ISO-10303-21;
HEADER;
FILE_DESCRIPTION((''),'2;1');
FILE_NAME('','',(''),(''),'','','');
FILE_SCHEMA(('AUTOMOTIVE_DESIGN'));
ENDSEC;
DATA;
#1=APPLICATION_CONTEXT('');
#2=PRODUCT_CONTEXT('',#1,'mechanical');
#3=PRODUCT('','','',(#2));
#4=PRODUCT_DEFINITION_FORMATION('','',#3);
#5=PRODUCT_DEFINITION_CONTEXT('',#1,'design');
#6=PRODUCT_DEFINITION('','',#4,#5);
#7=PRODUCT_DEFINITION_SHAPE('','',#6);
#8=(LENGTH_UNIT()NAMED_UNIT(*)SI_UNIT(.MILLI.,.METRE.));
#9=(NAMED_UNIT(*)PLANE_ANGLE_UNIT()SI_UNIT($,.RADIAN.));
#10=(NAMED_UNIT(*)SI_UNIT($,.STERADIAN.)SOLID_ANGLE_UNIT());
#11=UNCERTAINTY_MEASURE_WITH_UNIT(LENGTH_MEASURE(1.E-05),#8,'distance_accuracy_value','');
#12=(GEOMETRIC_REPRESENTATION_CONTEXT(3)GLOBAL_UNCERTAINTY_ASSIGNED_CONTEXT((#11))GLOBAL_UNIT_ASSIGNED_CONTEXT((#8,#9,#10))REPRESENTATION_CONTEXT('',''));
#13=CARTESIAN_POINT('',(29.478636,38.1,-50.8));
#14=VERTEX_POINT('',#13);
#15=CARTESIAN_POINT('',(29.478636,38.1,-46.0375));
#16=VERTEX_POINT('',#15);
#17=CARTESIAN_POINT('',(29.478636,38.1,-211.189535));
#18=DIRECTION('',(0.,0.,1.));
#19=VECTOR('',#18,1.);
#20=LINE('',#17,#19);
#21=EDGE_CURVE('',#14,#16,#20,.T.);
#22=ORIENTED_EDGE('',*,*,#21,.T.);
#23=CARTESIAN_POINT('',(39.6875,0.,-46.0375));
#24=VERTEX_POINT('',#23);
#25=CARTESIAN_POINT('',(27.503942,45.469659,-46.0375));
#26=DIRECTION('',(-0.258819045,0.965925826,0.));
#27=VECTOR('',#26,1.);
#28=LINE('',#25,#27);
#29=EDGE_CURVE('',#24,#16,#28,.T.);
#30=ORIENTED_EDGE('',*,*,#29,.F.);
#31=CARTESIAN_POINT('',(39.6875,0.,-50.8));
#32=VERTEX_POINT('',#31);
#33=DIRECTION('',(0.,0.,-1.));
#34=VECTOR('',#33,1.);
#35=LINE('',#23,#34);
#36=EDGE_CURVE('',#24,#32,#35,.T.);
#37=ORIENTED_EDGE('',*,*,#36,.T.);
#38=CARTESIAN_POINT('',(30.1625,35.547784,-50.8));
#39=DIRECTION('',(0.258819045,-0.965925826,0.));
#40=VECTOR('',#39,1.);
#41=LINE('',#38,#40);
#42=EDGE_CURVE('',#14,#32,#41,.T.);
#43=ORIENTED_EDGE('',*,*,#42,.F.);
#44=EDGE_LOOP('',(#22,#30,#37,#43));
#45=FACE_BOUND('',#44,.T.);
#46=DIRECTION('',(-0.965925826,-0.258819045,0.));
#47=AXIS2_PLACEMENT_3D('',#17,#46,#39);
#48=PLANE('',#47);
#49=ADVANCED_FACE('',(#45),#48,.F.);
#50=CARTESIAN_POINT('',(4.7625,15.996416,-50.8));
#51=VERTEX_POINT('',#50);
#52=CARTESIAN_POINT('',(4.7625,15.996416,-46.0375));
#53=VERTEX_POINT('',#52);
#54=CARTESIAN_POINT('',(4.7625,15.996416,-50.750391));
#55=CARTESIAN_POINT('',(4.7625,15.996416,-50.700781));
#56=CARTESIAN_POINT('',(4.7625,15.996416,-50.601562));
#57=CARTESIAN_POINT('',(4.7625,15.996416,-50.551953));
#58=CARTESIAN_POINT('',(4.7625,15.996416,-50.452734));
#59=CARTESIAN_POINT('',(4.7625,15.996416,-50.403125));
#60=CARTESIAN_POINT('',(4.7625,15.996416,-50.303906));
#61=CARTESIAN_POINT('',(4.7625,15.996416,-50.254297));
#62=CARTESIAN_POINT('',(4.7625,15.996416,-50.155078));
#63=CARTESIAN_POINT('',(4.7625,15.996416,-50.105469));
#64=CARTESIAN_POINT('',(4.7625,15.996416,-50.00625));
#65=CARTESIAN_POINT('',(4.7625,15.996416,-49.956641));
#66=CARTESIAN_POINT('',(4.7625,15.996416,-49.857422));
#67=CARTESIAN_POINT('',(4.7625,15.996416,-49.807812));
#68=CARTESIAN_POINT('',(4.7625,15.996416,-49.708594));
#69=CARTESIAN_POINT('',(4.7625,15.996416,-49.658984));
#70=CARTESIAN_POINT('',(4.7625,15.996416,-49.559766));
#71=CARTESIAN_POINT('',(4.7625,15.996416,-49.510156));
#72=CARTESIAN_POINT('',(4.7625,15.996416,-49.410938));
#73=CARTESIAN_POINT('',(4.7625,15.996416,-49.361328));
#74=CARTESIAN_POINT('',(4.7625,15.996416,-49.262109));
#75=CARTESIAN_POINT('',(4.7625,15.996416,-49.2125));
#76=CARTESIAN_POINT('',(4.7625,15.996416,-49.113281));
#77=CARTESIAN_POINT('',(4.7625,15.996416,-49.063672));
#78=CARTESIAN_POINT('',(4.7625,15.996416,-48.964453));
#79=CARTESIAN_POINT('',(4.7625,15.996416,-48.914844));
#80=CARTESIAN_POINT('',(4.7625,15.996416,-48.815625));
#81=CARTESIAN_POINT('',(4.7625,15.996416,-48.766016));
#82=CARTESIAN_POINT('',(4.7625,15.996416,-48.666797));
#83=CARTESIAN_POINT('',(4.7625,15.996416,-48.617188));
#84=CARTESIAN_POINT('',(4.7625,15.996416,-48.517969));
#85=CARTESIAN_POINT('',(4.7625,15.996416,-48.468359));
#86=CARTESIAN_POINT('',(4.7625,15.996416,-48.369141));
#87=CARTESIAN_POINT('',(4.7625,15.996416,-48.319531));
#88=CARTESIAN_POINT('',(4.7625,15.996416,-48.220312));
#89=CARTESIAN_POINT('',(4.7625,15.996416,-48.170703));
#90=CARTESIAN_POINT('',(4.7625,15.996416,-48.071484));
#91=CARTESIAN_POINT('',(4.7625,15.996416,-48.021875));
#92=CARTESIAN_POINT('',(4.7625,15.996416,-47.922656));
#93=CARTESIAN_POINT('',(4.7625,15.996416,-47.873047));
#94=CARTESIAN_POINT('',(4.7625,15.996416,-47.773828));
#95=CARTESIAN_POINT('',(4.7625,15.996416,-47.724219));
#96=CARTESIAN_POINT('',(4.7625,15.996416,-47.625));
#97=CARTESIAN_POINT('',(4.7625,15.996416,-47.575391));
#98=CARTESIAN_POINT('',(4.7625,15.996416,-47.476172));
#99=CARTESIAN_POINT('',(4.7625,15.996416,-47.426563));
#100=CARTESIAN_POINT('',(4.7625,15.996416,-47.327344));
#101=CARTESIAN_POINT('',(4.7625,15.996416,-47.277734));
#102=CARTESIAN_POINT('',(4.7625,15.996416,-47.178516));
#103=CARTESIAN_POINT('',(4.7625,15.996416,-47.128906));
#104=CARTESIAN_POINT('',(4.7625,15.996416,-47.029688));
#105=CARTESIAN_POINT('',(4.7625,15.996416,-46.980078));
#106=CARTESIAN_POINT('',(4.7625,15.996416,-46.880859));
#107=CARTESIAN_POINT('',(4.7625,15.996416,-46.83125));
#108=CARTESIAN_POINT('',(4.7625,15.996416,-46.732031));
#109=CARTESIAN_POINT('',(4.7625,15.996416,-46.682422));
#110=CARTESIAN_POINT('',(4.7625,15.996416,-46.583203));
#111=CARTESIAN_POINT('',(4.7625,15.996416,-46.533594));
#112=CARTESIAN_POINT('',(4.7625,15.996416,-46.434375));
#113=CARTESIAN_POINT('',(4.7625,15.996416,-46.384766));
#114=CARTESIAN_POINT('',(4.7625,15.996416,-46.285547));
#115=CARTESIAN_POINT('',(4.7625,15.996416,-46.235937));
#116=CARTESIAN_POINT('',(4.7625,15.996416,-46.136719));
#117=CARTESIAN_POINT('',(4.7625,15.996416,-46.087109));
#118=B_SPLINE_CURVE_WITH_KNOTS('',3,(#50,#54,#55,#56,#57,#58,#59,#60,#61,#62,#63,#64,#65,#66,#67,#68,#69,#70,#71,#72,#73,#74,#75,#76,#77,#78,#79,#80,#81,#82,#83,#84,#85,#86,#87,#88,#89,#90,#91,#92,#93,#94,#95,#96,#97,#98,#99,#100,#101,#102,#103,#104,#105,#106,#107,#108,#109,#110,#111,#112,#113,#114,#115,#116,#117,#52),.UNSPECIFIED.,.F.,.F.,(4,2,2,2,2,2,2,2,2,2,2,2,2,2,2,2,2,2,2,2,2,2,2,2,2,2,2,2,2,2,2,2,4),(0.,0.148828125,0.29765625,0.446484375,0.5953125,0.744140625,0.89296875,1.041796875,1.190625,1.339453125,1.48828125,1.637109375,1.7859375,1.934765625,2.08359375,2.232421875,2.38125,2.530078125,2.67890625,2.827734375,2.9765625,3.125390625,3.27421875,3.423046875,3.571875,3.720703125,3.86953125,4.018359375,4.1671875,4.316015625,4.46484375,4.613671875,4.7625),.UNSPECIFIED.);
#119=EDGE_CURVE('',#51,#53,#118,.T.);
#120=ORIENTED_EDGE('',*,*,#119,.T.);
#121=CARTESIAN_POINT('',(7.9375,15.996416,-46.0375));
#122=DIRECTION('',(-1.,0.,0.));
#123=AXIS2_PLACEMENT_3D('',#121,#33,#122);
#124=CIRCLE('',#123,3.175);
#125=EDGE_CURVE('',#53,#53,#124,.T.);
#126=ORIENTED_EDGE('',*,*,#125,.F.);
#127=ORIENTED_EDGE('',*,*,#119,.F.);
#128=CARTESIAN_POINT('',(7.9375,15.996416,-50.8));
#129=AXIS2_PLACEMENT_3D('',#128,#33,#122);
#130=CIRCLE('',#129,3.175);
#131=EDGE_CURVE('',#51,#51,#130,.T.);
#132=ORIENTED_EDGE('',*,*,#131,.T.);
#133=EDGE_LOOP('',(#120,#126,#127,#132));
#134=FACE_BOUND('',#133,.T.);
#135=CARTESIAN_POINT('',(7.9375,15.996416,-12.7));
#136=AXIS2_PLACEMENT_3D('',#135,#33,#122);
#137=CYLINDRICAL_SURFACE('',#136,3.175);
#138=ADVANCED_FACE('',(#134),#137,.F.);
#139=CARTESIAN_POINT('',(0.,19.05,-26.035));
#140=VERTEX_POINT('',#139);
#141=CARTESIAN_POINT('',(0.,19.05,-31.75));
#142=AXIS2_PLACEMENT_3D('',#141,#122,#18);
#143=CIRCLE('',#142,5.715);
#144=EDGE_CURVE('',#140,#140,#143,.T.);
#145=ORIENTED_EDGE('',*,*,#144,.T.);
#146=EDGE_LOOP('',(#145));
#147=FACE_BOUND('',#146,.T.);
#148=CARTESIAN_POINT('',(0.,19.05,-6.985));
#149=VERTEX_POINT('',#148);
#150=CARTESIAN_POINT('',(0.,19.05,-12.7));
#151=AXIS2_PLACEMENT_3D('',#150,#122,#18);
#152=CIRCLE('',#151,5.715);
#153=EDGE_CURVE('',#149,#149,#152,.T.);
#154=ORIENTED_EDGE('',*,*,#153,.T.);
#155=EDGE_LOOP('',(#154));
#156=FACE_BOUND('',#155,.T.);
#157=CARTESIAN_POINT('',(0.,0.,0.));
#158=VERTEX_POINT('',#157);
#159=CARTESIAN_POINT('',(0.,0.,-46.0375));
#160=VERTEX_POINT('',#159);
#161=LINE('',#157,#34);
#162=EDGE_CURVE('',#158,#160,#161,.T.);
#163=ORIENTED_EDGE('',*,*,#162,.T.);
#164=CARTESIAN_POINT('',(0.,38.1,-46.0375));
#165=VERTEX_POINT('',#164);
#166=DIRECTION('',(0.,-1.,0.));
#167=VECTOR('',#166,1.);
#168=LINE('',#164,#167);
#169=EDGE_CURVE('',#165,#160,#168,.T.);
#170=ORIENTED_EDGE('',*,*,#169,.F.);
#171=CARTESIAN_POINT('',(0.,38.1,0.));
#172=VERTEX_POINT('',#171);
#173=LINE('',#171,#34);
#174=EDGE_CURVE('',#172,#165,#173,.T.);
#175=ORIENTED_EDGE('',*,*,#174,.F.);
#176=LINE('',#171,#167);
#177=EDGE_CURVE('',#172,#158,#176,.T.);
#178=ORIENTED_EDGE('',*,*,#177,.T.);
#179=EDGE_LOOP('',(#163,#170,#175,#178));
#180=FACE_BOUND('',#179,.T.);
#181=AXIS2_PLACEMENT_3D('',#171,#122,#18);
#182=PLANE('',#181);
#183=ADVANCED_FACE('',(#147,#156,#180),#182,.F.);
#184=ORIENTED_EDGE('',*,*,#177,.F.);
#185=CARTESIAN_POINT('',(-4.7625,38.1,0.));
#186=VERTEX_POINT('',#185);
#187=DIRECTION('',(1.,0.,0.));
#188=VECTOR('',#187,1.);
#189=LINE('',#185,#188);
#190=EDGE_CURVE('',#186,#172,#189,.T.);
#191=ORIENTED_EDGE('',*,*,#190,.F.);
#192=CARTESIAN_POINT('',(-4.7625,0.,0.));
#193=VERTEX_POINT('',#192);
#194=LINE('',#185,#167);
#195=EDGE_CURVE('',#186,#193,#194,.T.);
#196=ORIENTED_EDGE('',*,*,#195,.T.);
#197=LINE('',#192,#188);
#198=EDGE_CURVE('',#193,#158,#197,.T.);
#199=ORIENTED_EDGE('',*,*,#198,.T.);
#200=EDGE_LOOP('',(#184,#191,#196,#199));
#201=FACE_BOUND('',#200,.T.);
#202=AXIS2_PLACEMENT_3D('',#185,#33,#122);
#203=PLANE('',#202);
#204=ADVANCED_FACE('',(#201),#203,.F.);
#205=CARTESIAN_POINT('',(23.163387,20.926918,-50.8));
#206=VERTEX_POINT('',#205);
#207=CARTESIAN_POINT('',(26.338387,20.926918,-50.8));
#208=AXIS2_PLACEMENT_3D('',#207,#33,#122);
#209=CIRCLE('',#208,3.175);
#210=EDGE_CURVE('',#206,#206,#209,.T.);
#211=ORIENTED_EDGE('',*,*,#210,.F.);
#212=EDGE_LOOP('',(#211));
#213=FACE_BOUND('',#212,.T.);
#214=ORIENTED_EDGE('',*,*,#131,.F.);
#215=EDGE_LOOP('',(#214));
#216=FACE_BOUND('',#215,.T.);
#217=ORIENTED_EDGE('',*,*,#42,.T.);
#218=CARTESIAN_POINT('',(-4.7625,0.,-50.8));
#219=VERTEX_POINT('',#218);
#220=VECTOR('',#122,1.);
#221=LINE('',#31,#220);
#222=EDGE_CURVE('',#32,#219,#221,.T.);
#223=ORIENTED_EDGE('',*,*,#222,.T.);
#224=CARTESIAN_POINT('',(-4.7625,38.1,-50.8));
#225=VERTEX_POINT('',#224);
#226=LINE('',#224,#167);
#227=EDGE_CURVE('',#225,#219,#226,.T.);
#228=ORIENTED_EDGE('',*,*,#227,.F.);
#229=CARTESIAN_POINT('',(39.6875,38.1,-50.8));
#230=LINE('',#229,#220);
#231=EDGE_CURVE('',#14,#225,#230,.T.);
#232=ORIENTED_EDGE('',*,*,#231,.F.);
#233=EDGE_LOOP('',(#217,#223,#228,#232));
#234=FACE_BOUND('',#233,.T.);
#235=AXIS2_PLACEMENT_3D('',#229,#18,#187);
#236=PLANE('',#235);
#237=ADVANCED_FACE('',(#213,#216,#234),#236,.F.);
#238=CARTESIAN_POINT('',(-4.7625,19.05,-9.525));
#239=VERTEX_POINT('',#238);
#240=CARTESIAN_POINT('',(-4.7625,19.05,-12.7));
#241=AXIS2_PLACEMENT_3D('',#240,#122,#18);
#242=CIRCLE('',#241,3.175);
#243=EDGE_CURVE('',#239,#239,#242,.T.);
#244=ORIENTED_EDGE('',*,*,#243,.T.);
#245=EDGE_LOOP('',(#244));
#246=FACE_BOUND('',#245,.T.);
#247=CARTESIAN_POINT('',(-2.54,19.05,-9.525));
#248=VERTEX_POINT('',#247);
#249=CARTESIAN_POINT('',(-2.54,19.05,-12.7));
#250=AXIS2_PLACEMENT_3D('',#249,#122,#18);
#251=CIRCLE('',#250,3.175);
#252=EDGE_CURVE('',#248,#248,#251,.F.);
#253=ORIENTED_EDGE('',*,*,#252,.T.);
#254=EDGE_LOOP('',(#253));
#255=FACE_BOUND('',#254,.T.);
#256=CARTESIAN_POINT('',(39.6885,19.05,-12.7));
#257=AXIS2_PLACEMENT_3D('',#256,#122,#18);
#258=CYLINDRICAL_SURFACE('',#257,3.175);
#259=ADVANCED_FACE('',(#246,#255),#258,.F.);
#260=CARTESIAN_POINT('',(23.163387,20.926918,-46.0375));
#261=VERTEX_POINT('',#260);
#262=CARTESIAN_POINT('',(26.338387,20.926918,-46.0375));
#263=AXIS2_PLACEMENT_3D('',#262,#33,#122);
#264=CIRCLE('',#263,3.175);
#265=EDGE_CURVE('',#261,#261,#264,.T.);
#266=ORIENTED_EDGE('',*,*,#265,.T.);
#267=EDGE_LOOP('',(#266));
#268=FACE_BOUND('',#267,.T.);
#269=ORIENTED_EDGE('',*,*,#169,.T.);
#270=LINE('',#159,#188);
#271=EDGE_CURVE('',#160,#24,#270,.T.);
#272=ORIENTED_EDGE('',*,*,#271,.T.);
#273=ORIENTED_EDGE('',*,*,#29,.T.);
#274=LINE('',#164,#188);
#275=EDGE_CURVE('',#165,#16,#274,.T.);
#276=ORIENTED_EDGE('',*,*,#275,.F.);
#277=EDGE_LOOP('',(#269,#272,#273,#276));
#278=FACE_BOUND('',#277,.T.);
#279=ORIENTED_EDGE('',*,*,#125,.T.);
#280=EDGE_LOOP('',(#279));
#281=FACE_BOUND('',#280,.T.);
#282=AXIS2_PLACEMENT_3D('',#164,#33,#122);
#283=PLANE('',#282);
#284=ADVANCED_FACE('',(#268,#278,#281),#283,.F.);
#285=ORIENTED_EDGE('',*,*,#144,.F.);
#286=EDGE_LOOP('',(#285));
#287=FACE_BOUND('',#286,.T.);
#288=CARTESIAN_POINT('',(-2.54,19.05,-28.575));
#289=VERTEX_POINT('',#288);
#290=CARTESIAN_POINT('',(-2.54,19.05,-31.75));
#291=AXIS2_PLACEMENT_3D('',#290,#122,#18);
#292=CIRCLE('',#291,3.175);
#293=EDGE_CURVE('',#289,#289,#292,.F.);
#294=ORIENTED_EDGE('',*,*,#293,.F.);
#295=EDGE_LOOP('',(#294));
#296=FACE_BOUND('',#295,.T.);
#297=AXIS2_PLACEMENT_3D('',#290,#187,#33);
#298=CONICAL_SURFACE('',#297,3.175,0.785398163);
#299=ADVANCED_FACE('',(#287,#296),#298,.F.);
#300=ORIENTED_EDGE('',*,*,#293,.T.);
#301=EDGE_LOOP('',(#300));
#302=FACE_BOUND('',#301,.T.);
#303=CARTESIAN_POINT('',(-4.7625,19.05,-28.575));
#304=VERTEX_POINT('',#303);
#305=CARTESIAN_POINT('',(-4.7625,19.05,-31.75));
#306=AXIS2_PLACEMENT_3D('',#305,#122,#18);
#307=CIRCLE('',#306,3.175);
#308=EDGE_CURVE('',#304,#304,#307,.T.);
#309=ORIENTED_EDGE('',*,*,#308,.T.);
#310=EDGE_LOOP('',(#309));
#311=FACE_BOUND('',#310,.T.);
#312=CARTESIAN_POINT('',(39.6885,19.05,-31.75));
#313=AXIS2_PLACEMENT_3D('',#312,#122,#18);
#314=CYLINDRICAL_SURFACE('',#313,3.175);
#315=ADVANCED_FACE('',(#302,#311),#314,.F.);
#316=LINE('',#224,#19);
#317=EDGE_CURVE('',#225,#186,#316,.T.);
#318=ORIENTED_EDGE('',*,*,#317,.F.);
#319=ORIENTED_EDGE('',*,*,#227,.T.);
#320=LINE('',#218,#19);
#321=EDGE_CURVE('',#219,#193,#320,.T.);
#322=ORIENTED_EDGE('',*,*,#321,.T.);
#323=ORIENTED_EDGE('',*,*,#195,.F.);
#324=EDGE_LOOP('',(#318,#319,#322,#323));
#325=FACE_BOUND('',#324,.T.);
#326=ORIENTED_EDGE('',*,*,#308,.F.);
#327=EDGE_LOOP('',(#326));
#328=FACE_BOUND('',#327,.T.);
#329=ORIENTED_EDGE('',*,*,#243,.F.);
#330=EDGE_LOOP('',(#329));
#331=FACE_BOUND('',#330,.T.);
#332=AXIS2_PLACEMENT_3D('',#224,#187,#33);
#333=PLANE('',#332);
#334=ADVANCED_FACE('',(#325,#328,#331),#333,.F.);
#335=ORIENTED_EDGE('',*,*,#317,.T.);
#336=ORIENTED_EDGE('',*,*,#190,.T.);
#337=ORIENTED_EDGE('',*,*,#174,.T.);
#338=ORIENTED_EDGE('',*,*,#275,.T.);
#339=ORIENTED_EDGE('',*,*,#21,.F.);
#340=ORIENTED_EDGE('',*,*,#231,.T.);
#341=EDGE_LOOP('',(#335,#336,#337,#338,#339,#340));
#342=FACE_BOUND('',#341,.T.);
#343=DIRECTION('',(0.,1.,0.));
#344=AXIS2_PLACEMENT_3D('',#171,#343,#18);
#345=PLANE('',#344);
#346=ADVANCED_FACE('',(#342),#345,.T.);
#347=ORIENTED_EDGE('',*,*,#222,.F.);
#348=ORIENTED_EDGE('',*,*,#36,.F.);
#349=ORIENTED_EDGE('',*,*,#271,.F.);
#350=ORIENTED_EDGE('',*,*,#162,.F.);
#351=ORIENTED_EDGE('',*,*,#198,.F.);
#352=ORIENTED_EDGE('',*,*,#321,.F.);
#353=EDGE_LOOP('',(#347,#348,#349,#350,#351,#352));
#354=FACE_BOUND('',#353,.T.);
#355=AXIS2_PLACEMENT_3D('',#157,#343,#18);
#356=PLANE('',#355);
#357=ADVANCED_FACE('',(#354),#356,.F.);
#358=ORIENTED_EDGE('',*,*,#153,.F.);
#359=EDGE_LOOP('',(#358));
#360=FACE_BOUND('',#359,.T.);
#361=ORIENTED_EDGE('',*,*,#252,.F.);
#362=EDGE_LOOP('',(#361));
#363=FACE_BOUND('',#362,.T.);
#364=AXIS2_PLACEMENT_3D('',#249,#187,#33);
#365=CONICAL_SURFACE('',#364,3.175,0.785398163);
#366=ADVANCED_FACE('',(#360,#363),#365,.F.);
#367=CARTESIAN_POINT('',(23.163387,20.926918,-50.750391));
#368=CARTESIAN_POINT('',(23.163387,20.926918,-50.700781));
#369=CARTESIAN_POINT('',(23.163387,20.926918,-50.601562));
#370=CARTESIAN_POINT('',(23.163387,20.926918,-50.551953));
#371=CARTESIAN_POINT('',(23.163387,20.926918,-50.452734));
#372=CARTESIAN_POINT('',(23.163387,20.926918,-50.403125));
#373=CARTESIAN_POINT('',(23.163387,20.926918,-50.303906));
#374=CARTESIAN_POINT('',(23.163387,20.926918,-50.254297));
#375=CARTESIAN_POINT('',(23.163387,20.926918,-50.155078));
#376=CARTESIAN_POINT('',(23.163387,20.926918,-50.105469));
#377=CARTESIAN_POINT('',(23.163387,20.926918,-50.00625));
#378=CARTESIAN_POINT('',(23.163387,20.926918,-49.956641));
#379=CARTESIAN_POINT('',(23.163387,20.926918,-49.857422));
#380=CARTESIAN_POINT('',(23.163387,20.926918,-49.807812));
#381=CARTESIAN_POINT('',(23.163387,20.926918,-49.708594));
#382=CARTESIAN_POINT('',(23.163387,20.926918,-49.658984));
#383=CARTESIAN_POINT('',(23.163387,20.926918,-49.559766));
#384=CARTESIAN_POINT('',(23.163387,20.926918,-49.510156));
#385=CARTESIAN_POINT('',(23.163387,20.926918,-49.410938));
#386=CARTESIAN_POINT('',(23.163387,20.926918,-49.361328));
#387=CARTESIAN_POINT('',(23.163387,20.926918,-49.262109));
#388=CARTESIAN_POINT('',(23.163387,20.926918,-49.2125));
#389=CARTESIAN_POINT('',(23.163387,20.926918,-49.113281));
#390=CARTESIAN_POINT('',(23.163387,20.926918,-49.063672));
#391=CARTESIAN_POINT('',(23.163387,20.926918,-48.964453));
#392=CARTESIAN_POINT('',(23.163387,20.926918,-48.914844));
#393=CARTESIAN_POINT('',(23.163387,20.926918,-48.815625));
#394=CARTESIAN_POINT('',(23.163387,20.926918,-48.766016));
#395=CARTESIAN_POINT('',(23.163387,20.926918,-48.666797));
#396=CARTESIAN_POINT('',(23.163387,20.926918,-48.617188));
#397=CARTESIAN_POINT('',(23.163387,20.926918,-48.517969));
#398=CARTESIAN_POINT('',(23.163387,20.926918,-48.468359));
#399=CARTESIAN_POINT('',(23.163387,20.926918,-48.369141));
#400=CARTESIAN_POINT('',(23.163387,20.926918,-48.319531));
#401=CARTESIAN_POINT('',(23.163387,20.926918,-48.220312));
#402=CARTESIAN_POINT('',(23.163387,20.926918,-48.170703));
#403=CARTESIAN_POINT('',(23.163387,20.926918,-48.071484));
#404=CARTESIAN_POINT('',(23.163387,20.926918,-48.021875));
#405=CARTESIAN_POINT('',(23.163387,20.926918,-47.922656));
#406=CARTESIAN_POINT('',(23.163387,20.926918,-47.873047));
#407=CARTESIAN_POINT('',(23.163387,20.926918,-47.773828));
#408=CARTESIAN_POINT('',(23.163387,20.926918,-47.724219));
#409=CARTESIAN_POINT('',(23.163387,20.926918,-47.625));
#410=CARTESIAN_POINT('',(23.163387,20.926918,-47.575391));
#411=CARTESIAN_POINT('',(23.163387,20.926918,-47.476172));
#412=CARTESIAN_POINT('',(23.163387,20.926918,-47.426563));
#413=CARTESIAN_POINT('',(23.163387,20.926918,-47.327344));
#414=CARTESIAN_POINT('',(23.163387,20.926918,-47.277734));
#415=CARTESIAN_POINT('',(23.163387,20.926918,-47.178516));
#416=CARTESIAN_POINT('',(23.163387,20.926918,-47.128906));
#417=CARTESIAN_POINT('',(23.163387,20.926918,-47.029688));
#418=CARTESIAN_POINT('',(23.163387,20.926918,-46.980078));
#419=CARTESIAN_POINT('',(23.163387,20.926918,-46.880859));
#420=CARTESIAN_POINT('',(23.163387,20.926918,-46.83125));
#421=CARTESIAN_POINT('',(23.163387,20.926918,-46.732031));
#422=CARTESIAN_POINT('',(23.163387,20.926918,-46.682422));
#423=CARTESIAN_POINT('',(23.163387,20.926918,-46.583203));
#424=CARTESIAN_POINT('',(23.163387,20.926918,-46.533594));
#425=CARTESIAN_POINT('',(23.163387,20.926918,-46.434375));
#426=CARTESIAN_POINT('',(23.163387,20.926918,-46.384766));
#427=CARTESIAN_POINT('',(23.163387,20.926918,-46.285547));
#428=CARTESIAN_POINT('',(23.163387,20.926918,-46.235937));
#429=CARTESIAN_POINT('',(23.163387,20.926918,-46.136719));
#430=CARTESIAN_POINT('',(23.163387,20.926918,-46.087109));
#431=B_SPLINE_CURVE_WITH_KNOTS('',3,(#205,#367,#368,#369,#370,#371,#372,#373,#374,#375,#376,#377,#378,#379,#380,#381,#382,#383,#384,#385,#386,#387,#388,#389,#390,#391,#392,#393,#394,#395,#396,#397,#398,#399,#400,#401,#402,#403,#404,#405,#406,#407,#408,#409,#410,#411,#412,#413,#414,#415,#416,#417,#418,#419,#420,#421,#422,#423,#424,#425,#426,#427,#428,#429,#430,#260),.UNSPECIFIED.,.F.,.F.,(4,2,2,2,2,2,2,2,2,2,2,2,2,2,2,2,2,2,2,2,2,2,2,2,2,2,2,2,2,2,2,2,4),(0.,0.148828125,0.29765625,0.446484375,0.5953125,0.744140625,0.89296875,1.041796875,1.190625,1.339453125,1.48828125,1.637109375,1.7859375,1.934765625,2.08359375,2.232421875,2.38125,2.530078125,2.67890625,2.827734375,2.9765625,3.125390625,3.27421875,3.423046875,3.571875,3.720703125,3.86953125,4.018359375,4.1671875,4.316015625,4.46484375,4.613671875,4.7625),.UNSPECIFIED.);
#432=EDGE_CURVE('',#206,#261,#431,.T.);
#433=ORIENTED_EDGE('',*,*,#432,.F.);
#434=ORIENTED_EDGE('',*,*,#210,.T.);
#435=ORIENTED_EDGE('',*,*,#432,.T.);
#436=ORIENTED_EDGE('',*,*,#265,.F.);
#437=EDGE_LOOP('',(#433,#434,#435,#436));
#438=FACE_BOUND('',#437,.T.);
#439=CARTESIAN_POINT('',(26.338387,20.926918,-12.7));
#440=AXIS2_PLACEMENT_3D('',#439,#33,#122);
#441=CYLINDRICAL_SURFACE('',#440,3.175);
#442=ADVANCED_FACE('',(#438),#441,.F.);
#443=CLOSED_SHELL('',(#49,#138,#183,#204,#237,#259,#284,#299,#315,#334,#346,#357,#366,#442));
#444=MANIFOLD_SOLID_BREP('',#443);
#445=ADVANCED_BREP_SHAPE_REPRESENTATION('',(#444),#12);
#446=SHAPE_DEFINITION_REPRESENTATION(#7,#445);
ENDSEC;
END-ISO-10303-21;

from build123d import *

# Parameters (mm, degrees)
BOSS_EXTRUDE1_DEPTH     = 38.1
SKETCH2_R               = 3.175
CUT_EXTRUDE1_DEPTH      = 38.1
CUT_EXTRUDE3_REACH      = 79.512
SKETCH3_R               = 3.175
CUT_EXTRUDE4_DEPTH      = 75.882225236
CUT_EXTRUDE4_DEPTH_BACK = 75.882225236
CHAMFER1_SIZE           = 2.54


with BuildPart() as part:
    # Sketch1 → Boss-Extrude1 (new body)
    with BuildSketch(Plane(origin=(0, 0, 0), x_dir=(1, 0, 0), z_dir=(0, 1, 0))):
        Polygon((0, 0), (0, 46.0375), (39.6875, 46.0375), (39.6875, 50.8), (-4.7625, 50.8), (-4.7625, 0), align=None)
    extrude(amount=BOSS_EXTRUDE1_DEPTH)

    # Sketch2 → Cut-Extrude1 (cut)
    with BuildSketch(Plane(origin=(0, 0, -50.8), x_dir=(-1, 0, 0), z_dir=(0, 0, -1))):
        with Locations((-26.338386991, 20.92691832)):
            Circle(SKETCH2_R)
        with Locations((-7.9375, 15.996415511)):
            Circle(SKETCH2_R)
    extrude(amount=-CUT_EXTRUDE1_DEPTH, mode=Mode.SUBTRACT)

    # Sketch3 → Cut-Extrude3 (cut, up to next)
    with BuildSketch(Plane.ZY.offset(4.7625), mode=Mode.PRIVATE) as cut_extrude3_sk1:
        with Locations((-12.7, 19.05)):
            Circle(SKETCH3_R)
    cut_extrude3_tool1 = extrude(cut_extrude3_sk1.sketch, amount=-CUT_EXTRUDE3_REACH, mode=Mode.PRIVATE) & part.part
    # Sketch3 → Cut-Extrude3 (cut, up to next)
    with BuildSketch(Plane.ZY.offset(4.7625), mode=Mode.PRIVATE) as cut_extrude3_sk2:
        with Locations((-31.75, 19.05)):
            Circle(SKETCH3_R)
    cut_extrude3_tool2 = extrude(cut_extrude3_sk2.sketch, amount=-CUT_EXTRUDE3_REACH, mode=Mode.PRIVATE) & part.part
    add(cut_extrude3_tool1.solids().sort_by_distance((-4.7625, 19.05, -12.7))[0], mode=Mode.SUBTRACT)
    add(cut_extrude3_tool2.solids().sort_by_distance((-4.7625, 19.05, -31.75))[0], mode=Mode.SUBTRACT)

    # Sketch4 → Cut-Extrude4 (cut, two sides: drawn at the far end of the back side and taken through both)
    with BuildSketch(Plane(origin=(0, 0, -50.8), x_dir=(-1, 0, 0), z_dir=(0, 0, -1)).offset(-CUT_EXTRUDE4_DEPTH_BACK)):
        Polygon((3.41421458, 160.857788706), (-29.478635768, 38.1), (-39.6875, 0), (-72.580350349, -122.757788706), (-318.095927761, -56.972088009), (-242.101362833, 226.643489404), align=None)
    extrude(amount=CUT_EXTRUDE4_DEPTH + CUT_EXTRUDE4_DEPTH_BACK, mode=Mode.SUBTRACT)

    # Chamfer1
    chamfer1_edges = [part.edges().sort_by_distance(p)[0] for p in [
        (0, 19.05, -15.875),
        (0, 19.05, -34.925),
    ]]
    chamfer(chamfer1_edges, length=CHAMFER1_SIZE)


solid = part.part
